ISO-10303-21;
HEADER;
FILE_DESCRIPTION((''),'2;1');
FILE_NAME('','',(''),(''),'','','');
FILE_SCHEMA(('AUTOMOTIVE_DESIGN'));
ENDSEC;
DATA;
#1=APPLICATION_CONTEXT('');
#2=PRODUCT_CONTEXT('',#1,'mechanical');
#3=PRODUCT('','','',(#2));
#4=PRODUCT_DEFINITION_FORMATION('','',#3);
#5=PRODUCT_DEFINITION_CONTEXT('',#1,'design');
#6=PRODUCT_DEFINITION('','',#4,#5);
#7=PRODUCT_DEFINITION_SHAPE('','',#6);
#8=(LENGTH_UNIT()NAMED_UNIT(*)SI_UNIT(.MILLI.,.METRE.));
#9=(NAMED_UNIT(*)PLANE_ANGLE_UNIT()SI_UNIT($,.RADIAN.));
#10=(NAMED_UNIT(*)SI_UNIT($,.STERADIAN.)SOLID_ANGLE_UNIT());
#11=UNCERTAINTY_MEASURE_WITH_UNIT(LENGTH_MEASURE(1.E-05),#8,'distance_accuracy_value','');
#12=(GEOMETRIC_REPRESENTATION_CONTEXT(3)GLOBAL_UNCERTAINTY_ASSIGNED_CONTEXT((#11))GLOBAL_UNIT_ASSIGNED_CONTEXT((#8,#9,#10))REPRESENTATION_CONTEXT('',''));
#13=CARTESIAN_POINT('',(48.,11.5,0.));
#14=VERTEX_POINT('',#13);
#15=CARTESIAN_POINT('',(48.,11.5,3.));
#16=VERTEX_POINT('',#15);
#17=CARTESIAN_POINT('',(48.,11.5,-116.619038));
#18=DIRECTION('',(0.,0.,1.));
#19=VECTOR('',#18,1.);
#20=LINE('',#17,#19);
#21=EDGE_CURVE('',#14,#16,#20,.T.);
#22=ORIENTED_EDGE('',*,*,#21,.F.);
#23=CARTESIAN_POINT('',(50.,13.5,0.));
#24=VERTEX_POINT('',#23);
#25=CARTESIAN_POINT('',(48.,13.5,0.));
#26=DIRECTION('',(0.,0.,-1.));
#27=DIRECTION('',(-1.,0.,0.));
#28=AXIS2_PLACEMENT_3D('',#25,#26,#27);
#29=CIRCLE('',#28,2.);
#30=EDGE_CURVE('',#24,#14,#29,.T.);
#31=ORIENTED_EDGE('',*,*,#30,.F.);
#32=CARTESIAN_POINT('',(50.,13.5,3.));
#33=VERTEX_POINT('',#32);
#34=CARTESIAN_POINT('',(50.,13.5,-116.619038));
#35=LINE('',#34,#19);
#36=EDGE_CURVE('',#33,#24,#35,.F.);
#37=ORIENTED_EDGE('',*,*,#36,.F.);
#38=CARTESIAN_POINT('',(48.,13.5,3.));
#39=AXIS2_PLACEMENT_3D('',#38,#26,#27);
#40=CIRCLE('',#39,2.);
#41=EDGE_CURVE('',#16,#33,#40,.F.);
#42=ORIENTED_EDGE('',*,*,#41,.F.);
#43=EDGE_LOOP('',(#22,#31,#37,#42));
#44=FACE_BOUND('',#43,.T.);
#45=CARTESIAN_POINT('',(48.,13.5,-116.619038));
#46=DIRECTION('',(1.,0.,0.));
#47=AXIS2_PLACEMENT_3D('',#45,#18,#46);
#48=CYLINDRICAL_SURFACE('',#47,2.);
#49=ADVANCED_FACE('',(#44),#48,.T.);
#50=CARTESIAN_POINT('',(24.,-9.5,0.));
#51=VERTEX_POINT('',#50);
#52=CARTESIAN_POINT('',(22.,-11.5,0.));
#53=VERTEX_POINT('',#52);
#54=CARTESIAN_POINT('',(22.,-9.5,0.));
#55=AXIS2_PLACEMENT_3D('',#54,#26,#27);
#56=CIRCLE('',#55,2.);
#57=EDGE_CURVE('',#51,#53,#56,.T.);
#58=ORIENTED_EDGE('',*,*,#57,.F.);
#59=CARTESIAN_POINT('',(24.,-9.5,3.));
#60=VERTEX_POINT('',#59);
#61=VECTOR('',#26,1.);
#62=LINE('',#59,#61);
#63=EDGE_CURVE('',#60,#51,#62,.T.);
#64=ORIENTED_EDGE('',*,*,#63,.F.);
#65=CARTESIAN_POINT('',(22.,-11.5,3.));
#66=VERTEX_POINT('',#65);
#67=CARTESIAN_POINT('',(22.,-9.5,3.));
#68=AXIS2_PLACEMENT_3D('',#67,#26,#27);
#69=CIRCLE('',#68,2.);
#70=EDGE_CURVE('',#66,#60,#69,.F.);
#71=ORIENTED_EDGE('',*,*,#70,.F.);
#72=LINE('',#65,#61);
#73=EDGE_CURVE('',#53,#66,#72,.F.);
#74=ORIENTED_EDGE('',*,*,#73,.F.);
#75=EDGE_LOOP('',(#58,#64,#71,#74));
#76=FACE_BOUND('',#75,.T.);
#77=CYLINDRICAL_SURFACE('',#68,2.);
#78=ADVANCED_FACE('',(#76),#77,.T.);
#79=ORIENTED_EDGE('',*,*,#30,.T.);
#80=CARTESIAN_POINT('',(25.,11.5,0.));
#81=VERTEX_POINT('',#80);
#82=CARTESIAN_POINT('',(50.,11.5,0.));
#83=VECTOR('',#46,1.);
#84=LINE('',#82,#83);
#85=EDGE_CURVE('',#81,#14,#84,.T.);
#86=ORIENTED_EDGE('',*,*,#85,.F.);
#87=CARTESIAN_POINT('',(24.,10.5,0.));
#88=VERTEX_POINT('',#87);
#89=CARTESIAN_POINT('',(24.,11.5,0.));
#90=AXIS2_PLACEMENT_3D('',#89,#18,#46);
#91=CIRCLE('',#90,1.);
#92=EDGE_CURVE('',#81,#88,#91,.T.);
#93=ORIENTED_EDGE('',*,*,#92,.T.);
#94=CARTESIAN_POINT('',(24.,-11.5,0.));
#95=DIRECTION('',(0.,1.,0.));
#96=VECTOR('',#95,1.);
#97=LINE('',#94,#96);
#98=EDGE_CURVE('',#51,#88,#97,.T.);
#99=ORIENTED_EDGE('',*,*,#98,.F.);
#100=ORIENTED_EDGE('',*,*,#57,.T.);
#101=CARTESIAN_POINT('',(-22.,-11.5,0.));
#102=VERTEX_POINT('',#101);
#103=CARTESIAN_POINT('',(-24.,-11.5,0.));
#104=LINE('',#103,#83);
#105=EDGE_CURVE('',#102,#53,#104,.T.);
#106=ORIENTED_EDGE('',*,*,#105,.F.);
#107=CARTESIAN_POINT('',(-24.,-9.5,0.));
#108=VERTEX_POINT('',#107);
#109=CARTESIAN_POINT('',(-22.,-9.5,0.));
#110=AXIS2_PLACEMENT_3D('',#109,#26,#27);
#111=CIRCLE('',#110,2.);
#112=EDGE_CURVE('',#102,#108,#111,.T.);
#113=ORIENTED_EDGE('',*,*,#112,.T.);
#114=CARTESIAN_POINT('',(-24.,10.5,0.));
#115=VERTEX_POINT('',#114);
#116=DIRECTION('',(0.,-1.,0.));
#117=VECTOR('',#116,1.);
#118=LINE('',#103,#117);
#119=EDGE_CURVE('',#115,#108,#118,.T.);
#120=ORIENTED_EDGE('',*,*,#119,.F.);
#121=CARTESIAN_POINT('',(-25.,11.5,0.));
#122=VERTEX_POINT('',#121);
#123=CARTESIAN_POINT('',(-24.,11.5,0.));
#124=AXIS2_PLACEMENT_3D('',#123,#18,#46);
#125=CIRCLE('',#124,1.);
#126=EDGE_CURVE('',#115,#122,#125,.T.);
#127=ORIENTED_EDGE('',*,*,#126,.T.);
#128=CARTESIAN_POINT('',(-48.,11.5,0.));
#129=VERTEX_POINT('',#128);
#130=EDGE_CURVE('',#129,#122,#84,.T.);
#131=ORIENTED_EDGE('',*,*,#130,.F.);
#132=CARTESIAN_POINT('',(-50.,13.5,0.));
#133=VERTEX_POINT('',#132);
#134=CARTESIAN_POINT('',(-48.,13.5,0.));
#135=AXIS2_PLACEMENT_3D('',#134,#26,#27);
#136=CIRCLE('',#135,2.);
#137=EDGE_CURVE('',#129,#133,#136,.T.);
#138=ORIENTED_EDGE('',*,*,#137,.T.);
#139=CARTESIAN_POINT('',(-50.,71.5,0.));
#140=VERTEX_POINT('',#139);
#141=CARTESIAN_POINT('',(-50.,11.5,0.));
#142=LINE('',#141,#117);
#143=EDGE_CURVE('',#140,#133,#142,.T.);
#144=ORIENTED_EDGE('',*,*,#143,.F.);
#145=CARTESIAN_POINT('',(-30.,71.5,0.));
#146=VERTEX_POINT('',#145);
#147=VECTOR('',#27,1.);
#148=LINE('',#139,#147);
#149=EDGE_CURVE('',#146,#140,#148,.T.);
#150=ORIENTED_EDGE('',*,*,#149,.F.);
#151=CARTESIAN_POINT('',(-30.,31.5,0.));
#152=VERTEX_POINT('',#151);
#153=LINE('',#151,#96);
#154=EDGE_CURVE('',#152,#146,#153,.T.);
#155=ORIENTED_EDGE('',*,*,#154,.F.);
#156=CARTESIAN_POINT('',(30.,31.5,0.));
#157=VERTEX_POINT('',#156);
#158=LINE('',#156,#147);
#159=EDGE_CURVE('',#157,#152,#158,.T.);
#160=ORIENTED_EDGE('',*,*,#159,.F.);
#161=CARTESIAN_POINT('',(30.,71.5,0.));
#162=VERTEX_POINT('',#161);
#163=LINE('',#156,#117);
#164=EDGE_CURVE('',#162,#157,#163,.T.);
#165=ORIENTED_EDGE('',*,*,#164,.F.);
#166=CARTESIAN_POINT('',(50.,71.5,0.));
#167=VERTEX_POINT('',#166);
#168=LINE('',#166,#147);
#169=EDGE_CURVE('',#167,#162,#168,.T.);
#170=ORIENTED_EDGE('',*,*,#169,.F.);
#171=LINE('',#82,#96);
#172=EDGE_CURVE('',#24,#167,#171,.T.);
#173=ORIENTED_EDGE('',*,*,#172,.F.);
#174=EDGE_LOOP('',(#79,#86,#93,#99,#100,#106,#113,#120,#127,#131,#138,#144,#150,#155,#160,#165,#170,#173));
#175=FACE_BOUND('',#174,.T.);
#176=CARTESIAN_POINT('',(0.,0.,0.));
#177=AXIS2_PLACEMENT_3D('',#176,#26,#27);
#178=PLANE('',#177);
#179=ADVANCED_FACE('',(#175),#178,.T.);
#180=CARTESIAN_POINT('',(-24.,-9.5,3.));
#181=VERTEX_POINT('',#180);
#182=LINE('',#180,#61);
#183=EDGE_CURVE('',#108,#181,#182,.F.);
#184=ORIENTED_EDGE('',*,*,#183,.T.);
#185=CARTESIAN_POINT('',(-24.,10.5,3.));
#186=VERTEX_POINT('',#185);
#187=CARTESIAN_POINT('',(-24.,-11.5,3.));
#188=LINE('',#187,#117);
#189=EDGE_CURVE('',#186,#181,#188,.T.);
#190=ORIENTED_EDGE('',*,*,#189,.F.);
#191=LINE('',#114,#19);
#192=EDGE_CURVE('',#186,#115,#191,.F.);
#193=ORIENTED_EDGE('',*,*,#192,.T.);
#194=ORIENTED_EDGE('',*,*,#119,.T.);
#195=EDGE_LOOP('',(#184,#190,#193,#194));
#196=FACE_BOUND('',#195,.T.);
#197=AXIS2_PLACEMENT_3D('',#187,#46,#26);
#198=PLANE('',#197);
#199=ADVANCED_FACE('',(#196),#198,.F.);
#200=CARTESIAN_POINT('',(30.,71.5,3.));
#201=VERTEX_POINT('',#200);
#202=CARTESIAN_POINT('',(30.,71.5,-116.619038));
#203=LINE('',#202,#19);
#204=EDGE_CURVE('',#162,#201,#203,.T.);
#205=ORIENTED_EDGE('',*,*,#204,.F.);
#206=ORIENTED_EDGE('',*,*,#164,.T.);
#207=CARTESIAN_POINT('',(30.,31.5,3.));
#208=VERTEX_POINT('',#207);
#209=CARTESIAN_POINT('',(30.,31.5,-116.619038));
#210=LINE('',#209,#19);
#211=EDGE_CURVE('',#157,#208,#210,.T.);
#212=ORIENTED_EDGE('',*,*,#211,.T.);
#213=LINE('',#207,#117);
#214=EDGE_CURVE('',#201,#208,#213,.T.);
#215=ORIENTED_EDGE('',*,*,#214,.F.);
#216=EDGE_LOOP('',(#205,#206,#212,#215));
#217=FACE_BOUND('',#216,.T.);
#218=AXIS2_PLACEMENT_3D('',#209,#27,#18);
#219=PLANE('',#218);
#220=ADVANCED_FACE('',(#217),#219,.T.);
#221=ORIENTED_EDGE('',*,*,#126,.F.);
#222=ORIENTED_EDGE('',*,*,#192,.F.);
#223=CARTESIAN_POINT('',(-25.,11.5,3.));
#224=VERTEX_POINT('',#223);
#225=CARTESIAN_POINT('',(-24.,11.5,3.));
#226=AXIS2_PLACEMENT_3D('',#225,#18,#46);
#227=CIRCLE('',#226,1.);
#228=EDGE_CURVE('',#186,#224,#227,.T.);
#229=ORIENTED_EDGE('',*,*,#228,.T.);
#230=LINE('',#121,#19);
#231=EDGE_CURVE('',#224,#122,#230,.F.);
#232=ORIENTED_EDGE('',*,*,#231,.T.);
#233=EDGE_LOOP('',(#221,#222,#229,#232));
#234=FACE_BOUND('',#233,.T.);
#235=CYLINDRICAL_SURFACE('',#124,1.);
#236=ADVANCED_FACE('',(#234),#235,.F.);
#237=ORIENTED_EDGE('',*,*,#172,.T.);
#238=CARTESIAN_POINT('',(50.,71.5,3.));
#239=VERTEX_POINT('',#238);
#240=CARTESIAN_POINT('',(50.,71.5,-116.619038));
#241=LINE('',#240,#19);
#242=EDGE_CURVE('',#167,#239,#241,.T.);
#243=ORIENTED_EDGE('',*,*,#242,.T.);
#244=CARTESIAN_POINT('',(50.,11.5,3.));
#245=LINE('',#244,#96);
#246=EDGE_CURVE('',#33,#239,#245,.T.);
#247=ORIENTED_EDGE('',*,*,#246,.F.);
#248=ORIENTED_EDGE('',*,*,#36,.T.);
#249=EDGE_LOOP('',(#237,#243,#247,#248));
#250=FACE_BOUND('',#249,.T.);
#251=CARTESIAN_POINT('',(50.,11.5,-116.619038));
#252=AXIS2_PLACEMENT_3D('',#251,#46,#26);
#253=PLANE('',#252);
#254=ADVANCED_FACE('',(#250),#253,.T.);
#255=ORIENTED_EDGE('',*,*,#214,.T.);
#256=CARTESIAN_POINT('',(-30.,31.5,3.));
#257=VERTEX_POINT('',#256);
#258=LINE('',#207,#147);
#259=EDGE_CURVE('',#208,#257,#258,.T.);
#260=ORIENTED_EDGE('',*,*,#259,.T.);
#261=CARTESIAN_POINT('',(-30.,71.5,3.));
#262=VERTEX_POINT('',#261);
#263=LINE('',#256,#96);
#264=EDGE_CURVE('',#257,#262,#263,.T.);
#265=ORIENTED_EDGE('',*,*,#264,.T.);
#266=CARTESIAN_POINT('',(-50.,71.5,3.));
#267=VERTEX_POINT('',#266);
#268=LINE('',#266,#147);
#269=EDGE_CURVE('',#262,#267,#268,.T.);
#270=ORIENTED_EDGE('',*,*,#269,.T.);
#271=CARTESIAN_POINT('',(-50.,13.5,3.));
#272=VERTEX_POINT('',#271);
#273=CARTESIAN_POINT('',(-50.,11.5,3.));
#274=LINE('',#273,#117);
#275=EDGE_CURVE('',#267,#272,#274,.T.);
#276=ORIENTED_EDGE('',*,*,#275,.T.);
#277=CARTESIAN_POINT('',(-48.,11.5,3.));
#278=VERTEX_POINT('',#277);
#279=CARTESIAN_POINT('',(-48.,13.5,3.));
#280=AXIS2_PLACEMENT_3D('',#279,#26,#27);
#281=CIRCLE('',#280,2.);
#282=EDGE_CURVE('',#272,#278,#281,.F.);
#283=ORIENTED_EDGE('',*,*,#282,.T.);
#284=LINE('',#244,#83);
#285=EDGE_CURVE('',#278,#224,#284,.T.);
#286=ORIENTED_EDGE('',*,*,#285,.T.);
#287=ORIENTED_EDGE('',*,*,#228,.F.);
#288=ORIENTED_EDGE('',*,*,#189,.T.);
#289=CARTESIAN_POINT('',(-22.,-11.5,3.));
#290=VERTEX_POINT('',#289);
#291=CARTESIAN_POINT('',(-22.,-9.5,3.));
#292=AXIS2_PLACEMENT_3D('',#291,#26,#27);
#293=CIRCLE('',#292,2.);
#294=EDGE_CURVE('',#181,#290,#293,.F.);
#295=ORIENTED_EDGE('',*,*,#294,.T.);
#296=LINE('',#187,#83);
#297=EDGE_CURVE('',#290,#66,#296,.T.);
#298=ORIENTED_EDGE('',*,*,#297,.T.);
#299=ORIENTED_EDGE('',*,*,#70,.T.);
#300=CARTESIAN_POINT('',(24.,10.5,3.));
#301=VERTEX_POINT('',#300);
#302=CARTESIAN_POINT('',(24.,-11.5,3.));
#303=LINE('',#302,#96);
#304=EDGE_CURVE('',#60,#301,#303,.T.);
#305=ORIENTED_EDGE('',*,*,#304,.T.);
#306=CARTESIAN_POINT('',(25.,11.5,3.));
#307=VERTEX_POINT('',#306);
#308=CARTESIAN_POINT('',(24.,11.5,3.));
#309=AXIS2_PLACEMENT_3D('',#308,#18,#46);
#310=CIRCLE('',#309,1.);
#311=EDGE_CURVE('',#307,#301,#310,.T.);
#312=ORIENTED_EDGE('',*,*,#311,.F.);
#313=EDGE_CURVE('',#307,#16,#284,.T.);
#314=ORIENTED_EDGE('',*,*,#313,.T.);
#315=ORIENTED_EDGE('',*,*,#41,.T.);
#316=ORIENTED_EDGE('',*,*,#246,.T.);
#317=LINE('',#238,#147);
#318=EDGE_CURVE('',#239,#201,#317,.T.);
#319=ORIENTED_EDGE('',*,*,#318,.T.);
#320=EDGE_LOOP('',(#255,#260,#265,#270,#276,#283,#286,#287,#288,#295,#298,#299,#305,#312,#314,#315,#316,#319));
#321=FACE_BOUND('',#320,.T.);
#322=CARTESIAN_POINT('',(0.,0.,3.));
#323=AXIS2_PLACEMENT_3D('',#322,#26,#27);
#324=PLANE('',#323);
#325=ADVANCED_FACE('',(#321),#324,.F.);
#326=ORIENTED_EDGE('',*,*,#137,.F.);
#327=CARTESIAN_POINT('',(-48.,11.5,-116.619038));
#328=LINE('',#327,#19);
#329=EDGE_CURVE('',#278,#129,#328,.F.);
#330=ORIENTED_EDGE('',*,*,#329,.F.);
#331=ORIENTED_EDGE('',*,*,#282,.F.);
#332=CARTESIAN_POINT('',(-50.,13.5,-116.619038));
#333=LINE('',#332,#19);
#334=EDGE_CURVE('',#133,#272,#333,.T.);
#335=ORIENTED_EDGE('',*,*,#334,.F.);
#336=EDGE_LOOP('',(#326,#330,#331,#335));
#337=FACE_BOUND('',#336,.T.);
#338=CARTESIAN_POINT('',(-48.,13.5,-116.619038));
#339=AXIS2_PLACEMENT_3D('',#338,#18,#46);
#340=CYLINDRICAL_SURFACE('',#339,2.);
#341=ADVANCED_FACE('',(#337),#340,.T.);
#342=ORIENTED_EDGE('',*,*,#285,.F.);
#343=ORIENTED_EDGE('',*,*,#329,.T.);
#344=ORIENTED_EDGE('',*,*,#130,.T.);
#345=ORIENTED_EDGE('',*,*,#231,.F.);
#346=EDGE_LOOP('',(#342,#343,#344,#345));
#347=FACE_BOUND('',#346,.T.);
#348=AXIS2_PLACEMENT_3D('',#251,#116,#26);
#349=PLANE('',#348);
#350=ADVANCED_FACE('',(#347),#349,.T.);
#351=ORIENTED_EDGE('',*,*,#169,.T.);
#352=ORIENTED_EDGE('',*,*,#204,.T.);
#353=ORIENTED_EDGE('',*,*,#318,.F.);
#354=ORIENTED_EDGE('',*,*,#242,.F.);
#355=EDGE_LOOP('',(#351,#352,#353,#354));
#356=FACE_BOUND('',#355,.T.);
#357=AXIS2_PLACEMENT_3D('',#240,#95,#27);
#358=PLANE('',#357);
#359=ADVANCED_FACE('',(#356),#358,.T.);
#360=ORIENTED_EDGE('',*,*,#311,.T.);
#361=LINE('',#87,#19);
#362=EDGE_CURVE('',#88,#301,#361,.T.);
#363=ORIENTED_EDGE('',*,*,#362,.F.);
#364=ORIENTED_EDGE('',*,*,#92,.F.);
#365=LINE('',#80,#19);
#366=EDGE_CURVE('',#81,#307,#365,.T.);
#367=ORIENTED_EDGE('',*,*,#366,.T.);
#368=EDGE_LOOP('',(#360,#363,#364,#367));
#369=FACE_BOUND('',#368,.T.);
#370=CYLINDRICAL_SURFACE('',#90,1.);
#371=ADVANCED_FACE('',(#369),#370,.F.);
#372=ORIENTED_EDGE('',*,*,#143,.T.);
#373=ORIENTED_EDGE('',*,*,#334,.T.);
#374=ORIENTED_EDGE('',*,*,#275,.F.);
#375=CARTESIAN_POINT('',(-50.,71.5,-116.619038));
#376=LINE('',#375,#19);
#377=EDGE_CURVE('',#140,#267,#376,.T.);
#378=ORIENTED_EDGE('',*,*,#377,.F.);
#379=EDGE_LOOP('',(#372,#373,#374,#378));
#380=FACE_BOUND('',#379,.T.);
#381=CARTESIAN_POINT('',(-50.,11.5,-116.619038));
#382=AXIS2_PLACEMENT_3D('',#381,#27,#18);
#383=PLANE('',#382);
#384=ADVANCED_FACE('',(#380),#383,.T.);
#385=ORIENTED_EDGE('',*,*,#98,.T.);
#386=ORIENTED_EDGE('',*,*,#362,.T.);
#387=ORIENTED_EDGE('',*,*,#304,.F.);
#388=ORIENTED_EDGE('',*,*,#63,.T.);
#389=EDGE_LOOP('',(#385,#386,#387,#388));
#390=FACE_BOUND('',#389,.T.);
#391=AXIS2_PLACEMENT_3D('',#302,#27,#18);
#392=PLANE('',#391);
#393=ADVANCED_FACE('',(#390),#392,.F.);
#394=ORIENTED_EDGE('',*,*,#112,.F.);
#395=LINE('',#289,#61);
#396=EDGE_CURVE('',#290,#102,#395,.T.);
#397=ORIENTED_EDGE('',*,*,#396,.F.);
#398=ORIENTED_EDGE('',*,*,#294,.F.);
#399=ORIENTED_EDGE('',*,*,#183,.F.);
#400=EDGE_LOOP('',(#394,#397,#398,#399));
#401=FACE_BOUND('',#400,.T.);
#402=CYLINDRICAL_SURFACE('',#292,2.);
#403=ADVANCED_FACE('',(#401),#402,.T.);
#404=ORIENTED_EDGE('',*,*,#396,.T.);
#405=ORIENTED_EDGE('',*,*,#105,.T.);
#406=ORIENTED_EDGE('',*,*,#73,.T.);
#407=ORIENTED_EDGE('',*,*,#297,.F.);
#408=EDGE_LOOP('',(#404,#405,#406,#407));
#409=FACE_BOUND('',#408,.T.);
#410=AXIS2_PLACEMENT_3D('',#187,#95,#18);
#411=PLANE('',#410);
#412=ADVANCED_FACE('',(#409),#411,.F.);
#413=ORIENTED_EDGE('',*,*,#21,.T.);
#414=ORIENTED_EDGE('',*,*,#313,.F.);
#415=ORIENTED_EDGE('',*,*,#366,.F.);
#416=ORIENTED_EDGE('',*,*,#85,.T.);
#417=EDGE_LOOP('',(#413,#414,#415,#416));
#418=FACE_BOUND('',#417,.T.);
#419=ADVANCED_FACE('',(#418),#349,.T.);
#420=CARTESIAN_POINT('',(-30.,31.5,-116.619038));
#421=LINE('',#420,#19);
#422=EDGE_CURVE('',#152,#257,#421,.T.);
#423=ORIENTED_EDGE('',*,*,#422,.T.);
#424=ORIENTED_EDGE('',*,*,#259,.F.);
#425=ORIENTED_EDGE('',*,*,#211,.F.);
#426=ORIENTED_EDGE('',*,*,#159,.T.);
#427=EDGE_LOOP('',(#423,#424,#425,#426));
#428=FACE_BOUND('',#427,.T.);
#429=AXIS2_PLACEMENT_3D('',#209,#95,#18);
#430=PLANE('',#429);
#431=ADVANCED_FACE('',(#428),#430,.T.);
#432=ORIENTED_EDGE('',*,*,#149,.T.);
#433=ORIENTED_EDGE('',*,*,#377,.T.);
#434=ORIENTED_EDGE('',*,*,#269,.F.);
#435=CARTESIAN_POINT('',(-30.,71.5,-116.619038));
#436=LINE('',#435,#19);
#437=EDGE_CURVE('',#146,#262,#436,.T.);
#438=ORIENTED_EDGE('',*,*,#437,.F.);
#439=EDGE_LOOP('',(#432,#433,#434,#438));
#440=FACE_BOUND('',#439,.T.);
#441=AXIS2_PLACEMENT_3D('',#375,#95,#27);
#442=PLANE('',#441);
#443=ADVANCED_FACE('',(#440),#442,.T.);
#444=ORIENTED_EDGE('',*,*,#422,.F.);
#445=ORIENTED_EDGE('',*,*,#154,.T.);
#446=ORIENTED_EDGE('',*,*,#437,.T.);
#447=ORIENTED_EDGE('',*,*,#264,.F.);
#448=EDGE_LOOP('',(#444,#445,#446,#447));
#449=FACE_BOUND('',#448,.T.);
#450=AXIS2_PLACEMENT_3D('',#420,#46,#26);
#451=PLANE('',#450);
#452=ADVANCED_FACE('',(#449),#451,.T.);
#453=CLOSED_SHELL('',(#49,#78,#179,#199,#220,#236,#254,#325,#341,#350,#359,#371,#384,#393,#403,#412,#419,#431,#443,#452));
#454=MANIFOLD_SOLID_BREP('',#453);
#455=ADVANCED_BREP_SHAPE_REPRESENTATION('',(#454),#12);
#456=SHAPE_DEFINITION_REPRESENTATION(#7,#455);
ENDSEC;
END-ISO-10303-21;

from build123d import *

# Parameters (mm, degrees)
SKETCH1_W           = 48
SKETCH1_H           = 23
BOSS_EXTRUDE1_DEPTH = 3
BOSS_EXTRUDE2_DEPTH = 3
SKETCH3_R           = 1
CUT_EXTRUDE1_DEPTH  = 88.299770905
FILLET1_R           = 2


with BuildPart() as part:
    # Sketch1 → Boss-Extrude1 (new body)
    with BuildSketch(Plane.XY):
        Rectangle(SKETCH1_W, SKETCH1_H)
    extrude(amount=BOSS_EXTRUDE1_DEPTH)

    # Sketch2 → Boss-Extrude2 (add)
    with BuildSketch(Plane.XY.offset(3)):
        Polygon((50, 11.5), (-50, 11.5), (-50, 71.5), (-30, 71.5), (-30, 31.5), (30, 31.5), (30, 71.5), (50, 71.5), align=None)
    extrude(amount=-BOSS_EXTRUDE2_DEPTH)

    # Sketch3 → Cut-Extrude1 (cut, through all)
    with BuildSketch(Plane.XY.offset(3)):
        with Locations((-24, 11.5)):
            Circle(SKETCH3_R)
        with Locations((24, 11.5)):
            Circle(SKETCH3_R)
    extrude(amount=-CUT_EXTRUDE1_DEPTH, mode=Mode.SUBTRACT)

    # Fillet1
    fillet1_edges = [part.edges().sort_by_distance(p)[0] for p in [
        (50, 11.5, 1.5),
        (-50, 11.5, 1.5),
        (24, -11.5, 1.5),
        (-24, -11.5, 1.5),
    ]]
    fillet(fillet1_edges, radius=FILLET1_R)


solid = part.part
